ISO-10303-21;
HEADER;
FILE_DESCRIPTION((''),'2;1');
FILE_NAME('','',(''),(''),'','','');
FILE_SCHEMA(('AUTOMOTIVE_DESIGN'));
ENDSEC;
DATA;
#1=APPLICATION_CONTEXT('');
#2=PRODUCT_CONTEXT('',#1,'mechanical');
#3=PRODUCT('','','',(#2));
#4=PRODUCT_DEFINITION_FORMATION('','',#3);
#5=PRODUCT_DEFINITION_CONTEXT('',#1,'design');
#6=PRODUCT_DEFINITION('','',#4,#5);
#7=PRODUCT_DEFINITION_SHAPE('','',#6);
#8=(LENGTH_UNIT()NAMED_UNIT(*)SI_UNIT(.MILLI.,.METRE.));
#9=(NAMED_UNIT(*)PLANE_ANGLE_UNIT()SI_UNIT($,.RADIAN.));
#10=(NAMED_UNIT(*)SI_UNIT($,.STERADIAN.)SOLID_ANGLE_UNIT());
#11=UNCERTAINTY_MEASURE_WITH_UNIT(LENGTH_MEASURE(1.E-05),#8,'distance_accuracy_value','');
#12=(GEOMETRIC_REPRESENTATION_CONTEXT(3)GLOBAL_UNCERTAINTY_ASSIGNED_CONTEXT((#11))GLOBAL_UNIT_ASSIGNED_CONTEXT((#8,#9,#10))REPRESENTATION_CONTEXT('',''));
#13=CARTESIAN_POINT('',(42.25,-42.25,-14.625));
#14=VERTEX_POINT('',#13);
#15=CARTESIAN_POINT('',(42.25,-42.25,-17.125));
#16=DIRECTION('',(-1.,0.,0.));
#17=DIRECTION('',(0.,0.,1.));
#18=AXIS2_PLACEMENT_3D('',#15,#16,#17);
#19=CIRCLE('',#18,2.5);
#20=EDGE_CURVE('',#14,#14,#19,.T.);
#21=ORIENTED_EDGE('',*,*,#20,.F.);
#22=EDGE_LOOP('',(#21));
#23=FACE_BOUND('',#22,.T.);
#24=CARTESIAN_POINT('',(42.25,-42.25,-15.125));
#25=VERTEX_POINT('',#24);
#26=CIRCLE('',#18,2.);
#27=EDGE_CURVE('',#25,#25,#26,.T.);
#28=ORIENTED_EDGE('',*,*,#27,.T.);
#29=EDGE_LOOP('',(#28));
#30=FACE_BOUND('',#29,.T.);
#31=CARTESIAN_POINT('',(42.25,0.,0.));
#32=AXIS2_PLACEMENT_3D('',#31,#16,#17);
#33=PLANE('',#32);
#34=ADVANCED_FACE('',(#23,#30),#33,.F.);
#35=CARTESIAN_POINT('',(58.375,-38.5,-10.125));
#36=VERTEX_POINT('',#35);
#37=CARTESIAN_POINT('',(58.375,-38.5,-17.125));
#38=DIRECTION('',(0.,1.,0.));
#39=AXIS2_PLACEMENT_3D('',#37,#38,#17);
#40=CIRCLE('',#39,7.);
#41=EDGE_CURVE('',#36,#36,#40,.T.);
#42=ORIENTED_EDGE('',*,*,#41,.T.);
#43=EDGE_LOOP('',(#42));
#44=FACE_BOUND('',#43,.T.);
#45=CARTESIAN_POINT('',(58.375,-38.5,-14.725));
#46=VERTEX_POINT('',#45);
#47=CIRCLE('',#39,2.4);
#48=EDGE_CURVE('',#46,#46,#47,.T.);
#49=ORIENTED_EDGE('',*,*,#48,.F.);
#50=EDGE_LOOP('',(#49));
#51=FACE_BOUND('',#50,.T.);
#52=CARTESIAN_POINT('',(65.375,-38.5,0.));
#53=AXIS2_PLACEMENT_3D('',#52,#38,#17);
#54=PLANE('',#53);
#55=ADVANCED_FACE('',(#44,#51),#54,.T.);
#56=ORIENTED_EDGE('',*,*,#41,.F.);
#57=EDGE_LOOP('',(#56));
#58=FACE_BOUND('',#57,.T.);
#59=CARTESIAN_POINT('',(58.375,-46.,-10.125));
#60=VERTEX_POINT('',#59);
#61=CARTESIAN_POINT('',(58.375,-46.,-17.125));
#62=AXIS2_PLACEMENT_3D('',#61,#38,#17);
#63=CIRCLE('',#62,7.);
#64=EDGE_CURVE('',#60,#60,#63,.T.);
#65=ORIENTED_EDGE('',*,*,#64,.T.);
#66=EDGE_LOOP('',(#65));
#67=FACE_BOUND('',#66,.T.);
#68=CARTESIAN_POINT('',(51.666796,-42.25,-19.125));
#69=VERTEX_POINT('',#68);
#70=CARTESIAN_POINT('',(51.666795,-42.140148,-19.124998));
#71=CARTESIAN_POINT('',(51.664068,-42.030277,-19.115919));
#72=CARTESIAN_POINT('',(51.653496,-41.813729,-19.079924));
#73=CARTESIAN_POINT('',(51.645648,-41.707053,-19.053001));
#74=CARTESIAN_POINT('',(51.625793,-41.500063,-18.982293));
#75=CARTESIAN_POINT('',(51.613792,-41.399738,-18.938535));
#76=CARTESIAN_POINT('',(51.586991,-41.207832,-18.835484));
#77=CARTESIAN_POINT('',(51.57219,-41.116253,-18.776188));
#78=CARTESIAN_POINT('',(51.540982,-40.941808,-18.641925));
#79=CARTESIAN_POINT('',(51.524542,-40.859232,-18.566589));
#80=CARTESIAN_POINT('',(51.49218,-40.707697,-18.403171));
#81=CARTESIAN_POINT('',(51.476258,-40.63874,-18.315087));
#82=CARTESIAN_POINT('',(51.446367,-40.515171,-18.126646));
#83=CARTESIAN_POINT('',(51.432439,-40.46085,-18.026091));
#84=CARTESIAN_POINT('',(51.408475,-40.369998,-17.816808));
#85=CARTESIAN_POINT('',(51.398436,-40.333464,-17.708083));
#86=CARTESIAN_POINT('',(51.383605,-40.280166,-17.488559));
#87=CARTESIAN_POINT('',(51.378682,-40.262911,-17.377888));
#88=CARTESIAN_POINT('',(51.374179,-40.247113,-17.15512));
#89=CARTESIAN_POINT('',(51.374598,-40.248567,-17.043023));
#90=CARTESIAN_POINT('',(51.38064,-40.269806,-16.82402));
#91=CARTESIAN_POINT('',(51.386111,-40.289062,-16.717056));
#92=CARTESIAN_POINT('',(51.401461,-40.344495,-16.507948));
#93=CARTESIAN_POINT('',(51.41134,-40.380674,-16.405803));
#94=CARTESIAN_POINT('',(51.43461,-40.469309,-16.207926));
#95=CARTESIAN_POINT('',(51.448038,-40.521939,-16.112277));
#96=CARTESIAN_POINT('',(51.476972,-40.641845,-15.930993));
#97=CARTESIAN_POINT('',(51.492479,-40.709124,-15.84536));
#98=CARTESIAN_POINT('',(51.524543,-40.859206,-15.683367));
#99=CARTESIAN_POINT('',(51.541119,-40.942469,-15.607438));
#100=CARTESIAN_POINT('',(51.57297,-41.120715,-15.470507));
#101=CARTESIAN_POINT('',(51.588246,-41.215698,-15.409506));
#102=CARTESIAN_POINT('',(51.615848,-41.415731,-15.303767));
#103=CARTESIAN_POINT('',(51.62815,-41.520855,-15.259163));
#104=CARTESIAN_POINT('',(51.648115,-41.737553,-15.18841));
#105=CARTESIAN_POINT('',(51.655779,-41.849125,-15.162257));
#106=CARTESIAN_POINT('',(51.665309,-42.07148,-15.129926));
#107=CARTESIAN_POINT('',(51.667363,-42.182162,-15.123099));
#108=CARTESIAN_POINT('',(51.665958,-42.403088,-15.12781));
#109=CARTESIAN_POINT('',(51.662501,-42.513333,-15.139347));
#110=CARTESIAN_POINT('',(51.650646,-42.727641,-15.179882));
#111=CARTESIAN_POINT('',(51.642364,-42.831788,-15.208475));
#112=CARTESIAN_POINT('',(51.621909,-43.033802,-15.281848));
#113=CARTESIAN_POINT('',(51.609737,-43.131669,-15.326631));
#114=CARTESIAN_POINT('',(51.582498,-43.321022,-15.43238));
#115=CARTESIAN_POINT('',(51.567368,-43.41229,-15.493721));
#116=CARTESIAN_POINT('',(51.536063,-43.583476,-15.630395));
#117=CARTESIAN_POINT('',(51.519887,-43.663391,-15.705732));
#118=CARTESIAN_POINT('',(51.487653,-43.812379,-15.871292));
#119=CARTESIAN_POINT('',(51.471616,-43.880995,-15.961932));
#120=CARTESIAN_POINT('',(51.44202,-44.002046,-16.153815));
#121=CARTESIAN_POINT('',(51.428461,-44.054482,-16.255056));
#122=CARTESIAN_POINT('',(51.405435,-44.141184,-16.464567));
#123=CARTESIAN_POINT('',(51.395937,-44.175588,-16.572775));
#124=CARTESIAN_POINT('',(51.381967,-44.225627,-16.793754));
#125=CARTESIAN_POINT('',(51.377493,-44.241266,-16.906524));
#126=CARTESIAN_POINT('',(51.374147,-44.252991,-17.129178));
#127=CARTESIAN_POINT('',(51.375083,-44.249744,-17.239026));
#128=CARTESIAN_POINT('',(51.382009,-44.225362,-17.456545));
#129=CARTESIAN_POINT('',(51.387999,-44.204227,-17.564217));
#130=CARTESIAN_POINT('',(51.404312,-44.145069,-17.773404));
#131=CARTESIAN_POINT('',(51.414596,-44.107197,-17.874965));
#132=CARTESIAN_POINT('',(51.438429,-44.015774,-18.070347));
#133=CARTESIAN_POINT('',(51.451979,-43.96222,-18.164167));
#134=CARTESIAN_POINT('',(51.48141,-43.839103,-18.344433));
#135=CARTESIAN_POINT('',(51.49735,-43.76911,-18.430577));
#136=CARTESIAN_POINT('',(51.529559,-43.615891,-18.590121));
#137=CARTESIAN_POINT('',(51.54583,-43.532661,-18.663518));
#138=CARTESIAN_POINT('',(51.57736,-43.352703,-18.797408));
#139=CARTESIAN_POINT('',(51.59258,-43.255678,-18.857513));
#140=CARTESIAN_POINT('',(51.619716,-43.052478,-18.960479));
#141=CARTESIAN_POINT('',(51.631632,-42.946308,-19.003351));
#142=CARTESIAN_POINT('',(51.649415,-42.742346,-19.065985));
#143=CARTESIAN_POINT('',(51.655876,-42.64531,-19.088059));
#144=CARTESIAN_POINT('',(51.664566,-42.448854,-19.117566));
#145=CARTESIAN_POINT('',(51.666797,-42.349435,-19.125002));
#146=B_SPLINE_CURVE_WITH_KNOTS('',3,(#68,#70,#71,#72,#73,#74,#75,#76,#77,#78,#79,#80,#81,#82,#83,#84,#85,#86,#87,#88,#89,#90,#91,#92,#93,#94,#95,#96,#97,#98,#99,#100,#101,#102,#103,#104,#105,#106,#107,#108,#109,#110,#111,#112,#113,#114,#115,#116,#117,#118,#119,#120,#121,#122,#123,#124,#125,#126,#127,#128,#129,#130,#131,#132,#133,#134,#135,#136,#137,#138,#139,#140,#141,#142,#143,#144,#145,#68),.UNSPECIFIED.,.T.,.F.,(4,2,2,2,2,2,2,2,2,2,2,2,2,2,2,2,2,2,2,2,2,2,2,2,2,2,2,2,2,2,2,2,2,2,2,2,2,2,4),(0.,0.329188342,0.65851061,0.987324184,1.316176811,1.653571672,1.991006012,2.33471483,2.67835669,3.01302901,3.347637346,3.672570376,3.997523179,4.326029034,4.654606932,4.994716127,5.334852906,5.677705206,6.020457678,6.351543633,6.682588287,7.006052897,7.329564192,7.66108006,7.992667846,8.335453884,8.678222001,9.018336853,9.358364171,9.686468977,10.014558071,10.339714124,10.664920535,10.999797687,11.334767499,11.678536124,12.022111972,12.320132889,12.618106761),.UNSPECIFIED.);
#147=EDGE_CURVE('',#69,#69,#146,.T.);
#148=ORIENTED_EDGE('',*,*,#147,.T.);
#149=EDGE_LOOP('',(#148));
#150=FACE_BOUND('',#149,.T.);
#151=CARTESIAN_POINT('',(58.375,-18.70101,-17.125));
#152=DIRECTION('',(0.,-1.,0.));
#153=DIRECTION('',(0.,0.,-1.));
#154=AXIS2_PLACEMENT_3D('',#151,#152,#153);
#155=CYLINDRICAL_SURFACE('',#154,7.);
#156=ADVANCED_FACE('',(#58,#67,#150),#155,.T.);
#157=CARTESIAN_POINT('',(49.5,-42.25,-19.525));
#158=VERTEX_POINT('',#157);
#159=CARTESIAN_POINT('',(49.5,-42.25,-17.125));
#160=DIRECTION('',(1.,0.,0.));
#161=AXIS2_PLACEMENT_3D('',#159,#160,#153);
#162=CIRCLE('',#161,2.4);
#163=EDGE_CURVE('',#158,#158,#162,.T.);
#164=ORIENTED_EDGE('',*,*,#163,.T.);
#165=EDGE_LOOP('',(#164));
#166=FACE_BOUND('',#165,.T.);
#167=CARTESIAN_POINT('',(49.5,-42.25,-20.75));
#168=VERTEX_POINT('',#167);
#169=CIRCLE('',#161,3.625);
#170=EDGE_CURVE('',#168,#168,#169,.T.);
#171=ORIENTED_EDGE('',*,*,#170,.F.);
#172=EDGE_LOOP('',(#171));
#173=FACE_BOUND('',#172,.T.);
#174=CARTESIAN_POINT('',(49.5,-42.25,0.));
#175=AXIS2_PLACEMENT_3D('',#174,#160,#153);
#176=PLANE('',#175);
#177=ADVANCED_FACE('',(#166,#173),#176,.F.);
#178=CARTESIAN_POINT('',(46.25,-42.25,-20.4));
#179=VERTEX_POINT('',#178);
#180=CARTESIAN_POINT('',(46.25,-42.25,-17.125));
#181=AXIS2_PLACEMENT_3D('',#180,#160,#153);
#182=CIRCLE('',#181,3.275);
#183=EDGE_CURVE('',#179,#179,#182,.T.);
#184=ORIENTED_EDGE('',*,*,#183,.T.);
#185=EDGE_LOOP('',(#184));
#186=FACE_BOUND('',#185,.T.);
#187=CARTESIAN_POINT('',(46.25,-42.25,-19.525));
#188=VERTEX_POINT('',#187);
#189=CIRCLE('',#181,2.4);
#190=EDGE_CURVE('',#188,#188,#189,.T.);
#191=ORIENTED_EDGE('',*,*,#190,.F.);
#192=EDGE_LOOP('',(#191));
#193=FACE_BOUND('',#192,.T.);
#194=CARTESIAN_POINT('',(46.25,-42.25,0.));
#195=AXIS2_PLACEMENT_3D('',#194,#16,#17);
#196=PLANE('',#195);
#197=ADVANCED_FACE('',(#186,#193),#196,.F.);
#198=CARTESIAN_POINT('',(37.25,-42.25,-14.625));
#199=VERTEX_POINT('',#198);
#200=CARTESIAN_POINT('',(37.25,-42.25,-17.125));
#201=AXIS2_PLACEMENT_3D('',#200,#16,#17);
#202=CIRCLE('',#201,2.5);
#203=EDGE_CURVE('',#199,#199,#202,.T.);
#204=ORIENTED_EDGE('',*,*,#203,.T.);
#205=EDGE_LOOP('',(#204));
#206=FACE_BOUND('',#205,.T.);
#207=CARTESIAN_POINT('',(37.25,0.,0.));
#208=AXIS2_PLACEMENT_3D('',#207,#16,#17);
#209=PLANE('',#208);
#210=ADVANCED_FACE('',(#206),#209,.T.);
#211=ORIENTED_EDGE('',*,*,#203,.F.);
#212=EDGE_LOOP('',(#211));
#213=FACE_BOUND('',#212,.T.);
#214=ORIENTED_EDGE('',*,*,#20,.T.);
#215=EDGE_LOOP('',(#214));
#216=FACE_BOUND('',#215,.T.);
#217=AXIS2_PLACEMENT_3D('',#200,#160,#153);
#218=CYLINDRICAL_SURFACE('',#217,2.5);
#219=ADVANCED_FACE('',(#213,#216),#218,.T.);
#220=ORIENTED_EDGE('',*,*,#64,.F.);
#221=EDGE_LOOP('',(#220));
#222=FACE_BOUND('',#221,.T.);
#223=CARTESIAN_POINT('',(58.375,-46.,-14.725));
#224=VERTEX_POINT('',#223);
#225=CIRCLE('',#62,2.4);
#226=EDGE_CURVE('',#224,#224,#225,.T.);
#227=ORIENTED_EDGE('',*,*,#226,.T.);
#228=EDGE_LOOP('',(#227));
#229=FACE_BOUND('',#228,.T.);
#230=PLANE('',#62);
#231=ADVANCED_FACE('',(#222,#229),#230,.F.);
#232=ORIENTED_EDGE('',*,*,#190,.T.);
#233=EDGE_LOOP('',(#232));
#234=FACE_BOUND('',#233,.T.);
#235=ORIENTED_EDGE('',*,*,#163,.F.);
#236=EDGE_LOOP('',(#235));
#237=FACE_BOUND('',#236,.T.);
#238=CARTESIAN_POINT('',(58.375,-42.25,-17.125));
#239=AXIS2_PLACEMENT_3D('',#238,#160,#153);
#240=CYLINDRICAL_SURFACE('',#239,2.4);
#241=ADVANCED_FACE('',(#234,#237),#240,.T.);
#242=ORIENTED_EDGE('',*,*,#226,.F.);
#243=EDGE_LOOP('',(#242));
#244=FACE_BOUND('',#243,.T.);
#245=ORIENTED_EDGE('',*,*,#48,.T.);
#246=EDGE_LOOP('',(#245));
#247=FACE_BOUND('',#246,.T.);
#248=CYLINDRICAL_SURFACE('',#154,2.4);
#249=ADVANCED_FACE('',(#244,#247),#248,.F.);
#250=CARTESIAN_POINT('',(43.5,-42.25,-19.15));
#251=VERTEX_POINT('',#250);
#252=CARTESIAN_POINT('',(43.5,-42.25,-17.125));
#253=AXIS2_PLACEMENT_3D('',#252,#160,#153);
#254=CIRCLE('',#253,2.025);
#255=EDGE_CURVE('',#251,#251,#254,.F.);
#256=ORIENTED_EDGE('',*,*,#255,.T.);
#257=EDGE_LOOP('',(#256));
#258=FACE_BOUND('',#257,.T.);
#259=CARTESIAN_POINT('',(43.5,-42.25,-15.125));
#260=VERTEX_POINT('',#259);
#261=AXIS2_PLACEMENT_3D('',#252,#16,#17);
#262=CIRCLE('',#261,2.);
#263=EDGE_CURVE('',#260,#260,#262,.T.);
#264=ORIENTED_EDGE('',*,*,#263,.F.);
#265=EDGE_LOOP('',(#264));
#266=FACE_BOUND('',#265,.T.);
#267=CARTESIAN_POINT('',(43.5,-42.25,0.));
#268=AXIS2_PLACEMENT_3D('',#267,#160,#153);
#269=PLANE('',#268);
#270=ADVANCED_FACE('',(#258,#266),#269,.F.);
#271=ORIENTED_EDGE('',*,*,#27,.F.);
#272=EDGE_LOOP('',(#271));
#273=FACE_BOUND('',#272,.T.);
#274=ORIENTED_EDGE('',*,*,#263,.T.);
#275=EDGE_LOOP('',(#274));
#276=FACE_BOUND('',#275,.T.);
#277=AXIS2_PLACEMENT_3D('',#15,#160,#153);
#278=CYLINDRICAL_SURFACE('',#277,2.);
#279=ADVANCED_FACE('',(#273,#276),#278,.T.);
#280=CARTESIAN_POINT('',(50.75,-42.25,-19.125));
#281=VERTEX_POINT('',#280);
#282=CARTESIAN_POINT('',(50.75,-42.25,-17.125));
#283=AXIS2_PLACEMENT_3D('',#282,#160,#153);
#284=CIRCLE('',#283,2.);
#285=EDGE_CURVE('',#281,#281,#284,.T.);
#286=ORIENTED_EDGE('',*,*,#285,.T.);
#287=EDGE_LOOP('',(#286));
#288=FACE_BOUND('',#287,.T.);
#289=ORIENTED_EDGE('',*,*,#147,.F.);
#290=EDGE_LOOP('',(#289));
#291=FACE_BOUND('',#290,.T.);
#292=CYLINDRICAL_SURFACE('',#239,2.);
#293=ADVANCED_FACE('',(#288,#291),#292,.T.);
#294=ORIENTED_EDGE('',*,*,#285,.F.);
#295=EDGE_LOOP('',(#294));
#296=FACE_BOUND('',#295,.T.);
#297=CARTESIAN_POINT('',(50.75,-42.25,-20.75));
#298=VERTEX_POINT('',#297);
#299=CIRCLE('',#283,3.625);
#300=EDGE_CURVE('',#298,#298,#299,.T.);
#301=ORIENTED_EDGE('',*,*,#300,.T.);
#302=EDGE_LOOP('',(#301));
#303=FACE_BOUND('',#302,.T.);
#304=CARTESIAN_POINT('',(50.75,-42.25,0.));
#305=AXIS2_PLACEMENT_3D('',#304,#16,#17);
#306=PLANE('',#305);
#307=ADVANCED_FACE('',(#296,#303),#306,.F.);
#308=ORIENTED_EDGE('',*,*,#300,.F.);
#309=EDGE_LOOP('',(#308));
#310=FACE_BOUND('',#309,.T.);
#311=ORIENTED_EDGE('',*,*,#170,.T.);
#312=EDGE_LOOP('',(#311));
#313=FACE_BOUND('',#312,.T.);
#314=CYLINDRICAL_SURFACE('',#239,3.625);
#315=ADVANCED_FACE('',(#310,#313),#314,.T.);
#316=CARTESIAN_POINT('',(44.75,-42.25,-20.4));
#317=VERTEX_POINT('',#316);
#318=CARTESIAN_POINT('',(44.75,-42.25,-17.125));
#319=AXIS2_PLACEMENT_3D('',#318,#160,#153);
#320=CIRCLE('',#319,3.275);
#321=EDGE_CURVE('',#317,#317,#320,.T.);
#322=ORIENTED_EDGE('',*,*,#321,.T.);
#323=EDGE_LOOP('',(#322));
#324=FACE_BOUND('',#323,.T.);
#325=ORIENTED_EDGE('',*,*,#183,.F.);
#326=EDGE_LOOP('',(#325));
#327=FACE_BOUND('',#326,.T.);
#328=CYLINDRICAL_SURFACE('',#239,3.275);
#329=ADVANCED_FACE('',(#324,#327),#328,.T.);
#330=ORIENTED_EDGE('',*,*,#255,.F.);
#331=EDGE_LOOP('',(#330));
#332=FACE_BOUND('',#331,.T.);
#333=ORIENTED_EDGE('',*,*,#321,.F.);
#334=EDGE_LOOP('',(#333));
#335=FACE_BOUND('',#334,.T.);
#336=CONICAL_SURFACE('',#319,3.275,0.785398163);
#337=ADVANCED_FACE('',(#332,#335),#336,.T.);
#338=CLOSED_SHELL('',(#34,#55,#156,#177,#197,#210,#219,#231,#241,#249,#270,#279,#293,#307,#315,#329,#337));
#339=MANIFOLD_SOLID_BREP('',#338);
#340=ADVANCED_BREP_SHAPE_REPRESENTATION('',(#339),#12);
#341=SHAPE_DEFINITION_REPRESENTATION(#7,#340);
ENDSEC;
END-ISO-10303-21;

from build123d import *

# Parameters (mm, degrees)
SKETCH_2_R      = 7
SKETCH_2_R_2    = 2.4
EXTRUDE_1_DEPTH = 7.5
SKETCH_4_R      = 2
EXTRUDE_3_DEPTH = 1.25
SKETCH_5_R      = 2.5
SKETCH_5_R_2    = 2
EXTRUDE_4_DEPTH = 5
CHAMFER_1_SIZE  = 1.25


with BuildPart() as part:
    # 草图1 → 旋转1 (revolve)
    with BuildSketch(Plane(origin=(0, -42.25, 0), x_dir=(1, 0, 0), z_dir=(0, 1, 0)), mode=Mode.PRIVATE) as revolve_1_sk:
        Polygon((53.274875926, 15.125), (53.274875926, 17.125), (43.5, 17.125), (43.5, 13.85), (46.25, 13.85), (46.25, 14.725), (49.5, 14.725), (49.5, 13.5), (50.75, 13.5), (50.75, 15.125), align=None)
    revolve(revolve_1_sk.sketch.rotate(Axis((58.375, -42.25, -17.125), (-1, 0, 0)), 180), axis=Axis((58.375, -42.25, -17.125), (-1, 0, 0)))

    # 草图2 → 凸台-拉伸1 (add)
    with BuildSketch(Plane(origin=(0, -46, 0), x_dir=(1, 0, 0), z_dir=(0, 1, 0))):
        with Locations(Location((58.375, 17.125, 0), (0, 0, 270))):
            Circle(SKETCH_2_R)
        with Locations(Location((58.375, 17.125, 0), (0, 0, 270))):
            Circle(SKETCH_2_R_2, mode=Mode.SUBTRACT)
    extrude(amount=EXTRUDE_1_DEPTH)

    # 草图4 → 凸台-拉伸3 (add)
    with BuildSketch(Plane.ZY.offset(-43.5)):
        with Locations(Location((-17.125, -42.25, 0), (0, 0, 180))):
            Circle(SKETCH_4_R)
    extrude(amount=EXTRUDE_3_DEPTH)

    # 草图5 → 凸台-拉伸4 (add)
    # profile 1 of 2: a face of its own
    with BuildSketch(Plane.ZY.offset(-42.25)):
        with Locations((-17.125, -42.25)):
            Circle(SKETCH_5_R)
        with Locations(Location((-17.125, -42.25, 0), (0, 0, 180))):
            Circle(SKETCH_5_R_2, mode=Mode.SUBTRACT)
    # profile 2 of 2: a face of its own
    with BuildSketch(Plane.ZY.offset(-42.25)):
        with Locations(Location((-17.125, -42.25, 0), (0, 0, 180))):
            Circle(SKETCH_5_R_2)
    extrude(amount=EXTRUDE_4_DEPTH)

    # 倒角1
    chamfer_1_edges = [part.edges().sort_by_distance(p)[0] for p in [
        (43.5, -42.25, -13.85),
    ]]
    chamfer(chamfer_1_edges, length=CHAMFER_1_SIZE)


solid = part.part
